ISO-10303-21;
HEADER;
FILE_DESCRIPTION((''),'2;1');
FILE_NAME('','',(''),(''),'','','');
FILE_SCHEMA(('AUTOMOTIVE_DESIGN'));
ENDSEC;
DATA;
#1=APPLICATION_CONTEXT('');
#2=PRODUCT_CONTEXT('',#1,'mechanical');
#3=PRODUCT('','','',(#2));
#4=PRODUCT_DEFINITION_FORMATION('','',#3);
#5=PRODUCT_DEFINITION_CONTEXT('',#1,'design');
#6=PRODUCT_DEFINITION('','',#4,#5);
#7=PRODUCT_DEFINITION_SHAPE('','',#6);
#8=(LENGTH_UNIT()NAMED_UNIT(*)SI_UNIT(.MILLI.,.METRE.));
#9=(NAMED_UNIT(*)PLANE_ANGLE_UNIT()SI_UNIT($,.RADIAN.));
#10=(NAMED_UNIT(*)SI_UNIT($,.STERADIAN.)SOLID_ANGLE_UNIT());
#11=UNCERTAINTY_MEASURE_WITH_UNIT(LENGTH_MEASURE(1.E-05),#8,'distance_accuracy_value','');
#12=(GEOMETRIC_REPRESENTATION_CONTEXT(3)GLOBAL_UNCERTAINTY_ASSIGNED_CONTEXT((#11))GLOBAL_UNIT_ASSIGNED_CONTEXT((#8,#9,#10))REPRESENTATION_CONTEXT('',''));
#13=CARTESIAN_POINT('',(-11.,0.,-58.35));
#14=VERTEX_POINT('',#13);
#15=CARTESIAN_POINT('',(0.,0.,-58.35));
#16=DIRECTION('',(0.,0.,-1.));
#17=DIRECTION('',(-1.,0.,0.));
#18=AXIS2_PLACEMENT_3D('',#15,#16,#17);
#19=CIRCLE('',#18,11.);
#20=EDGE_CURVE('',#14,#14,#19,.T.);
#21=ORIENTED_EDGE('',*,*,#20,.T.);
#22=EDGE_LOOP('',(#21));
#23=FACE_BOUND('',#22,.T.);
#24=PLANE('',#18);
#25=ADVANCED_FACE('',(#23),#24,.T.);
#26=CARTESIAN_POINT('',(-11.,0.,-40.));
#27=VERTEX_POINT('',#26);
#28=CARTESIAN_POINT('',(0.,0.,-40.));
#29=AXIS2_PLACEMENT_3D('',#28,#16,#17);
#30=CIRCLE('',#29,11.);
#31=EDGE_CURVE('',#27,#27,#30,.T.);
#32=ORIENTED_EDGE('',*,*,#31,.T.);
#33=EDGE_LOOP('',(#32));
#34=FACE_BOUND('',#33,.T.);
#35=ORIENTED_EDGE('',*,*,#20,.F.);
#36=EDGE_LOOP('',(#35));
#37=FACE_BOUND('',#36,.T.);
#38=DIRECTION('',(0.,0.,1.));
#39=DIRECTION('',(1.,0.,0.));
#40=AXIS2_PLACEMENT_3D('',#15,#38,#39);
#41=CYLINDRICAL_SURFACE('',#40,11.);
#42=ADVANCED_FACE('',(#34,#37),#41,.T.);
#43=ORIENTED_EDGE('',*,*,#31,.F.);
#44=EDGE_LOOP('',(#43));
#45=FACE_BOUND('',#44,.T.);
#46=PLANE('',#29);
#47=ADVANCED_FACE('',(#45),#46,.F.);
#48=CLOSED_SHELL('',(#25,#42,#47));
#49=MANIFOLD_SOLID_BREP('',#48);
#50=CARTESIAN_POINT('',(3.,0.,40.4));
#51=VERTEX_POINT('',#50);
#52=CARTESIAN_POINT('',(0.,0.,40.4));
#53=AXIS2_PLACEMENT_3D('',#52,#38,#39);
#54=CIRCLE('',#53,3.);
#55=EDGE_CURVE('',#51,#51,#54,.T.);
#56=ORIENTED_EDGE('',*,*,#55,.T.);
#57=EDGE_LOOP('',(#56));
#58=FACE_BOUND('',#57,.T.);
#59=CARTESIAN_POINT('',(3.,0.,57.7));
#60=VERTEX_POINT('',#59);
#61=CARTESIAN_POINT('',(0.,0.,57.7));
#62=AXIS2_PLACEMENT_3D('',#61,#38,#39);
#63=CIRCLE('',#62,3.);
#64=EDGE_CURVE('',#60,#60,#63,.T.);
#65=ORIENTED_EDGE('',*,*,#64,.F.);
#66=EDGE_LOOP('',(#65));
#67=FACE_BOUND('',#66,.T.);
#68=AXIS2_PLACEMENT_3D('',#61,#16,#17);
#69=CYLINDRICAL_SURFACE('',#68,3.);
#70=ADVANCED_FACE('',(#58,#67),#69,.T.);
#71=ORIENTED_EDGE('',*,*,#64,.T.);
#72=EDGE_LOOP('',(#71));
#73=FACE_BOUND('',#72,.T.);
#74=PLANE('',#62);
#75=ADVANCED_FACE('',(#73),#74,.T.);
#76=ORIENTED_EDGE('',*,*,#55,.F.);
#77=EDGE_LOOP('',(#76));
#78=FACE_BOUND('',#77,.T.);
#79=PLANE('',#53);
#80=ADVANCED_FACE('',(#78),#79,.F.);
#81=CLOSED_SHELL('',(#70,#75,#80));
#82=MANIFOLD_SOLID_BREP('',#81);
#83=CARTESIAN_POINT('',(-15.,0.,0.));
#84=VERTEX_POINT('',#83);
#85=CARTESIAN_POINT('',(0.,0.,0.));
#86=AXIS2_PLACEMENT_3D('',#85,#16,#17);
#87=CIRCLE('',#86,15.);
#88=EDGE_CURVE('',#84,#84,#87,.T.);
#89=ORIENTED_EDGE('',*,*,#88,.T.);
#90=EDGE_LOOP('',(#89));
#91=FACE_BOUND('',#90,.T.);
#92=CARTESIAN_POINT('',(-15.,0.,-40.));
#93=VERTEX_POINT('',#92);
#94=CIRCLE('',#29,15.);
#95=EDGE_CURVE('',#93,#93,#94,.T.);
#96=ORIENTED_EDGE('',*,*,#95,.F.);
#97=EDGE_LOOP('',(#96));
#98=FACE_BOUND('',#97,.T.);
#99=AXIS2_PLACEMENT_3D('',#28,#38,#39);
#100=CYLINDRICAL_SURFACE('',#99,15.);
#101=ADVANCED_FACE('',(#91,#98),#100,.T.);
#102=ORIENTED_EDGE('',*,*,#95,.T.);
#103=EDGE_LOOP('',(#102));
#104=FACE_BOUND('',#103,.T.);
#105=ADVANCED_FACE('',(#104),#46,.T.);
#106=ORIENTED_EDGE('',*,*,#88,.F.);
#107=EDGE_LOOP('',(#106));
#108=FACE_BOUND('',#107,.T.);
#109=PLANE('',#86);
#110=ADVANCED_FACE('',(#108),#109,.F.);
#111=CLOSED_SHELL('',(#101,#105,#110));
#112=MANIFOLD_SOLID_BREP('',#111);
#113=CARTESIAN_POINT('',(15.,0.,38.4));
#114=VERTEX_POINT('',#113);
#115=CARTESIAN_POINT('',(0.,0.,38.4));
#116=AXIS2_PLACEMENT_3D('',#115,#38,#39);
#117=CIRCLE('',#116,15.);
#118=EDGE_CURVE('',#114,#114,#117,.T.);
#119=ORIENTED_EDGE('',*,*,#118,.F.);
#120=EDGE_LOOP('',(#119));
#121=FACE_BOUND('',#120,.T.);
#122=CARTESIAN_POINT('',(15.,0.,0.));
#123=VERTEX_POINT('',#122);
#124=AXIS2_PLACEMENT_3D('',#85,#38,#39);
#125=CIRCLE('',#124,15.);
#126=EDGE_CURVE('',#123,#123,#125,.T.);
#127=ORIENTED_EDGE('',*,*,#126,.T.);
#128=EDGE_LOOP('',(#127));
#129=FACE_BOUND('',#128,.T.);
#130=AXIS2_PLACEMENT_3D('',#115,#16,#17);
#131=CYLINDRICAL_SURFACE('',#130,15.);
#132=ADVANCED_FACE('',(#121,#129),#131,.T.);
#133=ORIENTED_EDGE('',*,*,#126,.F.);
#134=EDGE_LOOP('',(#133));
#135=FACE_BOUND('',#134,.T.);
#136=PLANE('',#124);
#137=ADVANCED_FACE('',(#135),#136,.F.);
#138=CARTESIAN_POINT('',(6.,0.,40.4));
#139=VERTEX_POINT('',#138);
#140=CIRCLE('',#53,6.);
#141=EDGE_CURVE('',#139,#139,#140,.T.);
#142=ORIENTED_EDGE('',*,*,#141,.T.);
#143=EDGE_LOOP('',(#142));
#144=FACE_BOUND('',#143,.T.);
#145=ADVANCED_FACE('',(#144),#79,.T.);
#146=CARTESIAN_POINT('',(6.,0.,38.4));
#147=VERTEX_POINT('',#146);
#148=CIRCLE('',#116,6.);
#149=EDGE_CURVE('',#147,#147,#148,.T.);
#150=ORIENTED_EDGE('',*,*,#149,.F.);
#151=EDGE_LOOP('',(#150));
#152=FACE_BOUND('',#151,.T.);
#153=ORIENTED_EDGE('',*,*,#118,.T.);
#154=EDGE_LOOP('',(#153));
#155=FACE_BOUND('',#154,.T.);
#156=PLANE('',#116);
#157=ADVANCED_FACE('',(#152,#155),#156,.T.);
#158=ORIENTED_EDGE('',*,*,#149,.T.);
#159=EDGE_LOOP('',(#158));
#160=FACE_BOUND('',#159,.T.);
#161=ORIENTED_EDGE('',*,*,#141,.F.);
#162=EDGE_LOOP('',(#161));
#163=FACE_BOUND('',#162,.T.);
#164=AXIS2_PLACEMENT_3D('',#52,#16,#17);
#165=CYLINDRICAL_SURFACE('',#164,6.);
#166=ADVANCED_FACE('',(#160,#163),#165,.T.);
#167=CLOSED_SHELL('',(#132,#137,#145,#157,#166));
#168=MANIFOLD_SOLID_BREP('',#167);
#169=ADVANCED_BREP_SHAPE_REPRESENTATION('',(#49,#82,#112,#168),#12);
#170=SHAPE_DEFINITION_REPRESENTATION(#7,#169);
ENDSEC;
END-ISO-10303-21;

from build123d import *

# Parameters (mm, degrees)
SKETCH1_R           = 15
BOSS_EXTRUDE1_DEPTH = 38.4
SKETCH2_R           = 15
BOSS_EXTRUDE2_DEPTH = 40
SKETCH3_R           = 6
BOSS_EXTRUDE3_DEPTH = 2
SKETCH4_R           = 11
BOSS_EXTRUDE4_DEPTH = 18.35
SKETCH5_R           = 3
BOSS_EXTRUDE5_DEPTH = 17.3


with BuildPart() as part:
    # Sketch1 → Boss-Extrude1 (new body)
    with BuildSketch(Plane.XY):
        Circle(SKETCH1_R)
    extrude(amount=BOSS_EXTRUDE1_DEPTH)

    # Sketch3 → Boss-Extrude3 (add)
    with BuildSketch(Plane.XY.offset(38.4)):
        Circle(SKETCH3_R)
    extrude(amount=BOSS_EXTRUDE3_DEPTH)


with BuildPart() as body_2:
    # Sketch2 → Boss-Extrude2 (new body)
    with BuildSketch(Plane(origin=(0, 0, 0), x_dir=(-1, 0, 0), z_dir=(0, 0, -1))):
        Circle(SKETCH2_R)
    extrude(amount=BOSS_EXTRUDE2_DEPTH)


with BuildPart() as body_3:
    # Sketch4 → Boss-Extrude4 (new body)
    with BuildSketch(Plane(origin=(0, 0, -40), x_dir=(-1, 0, 0), z_dir=(0, 0, -1))):
        Circle(SKETCH4_R)
    extrude(amount=BOSS_EXTRUDE4_DEPTH)


with BuildPart() as body_4:
    # Sketch5 → Boss-Extrude5 (new body)
    with BuildSketch(Plane.XY.offset(40.4)):
        Circle(SKETCH5_R)
    extrude(amount=BOSS_EXTRUDE5_DEPTH)


solid = Compound([part.part, body_2.part, body_3.part, body_4.part])
